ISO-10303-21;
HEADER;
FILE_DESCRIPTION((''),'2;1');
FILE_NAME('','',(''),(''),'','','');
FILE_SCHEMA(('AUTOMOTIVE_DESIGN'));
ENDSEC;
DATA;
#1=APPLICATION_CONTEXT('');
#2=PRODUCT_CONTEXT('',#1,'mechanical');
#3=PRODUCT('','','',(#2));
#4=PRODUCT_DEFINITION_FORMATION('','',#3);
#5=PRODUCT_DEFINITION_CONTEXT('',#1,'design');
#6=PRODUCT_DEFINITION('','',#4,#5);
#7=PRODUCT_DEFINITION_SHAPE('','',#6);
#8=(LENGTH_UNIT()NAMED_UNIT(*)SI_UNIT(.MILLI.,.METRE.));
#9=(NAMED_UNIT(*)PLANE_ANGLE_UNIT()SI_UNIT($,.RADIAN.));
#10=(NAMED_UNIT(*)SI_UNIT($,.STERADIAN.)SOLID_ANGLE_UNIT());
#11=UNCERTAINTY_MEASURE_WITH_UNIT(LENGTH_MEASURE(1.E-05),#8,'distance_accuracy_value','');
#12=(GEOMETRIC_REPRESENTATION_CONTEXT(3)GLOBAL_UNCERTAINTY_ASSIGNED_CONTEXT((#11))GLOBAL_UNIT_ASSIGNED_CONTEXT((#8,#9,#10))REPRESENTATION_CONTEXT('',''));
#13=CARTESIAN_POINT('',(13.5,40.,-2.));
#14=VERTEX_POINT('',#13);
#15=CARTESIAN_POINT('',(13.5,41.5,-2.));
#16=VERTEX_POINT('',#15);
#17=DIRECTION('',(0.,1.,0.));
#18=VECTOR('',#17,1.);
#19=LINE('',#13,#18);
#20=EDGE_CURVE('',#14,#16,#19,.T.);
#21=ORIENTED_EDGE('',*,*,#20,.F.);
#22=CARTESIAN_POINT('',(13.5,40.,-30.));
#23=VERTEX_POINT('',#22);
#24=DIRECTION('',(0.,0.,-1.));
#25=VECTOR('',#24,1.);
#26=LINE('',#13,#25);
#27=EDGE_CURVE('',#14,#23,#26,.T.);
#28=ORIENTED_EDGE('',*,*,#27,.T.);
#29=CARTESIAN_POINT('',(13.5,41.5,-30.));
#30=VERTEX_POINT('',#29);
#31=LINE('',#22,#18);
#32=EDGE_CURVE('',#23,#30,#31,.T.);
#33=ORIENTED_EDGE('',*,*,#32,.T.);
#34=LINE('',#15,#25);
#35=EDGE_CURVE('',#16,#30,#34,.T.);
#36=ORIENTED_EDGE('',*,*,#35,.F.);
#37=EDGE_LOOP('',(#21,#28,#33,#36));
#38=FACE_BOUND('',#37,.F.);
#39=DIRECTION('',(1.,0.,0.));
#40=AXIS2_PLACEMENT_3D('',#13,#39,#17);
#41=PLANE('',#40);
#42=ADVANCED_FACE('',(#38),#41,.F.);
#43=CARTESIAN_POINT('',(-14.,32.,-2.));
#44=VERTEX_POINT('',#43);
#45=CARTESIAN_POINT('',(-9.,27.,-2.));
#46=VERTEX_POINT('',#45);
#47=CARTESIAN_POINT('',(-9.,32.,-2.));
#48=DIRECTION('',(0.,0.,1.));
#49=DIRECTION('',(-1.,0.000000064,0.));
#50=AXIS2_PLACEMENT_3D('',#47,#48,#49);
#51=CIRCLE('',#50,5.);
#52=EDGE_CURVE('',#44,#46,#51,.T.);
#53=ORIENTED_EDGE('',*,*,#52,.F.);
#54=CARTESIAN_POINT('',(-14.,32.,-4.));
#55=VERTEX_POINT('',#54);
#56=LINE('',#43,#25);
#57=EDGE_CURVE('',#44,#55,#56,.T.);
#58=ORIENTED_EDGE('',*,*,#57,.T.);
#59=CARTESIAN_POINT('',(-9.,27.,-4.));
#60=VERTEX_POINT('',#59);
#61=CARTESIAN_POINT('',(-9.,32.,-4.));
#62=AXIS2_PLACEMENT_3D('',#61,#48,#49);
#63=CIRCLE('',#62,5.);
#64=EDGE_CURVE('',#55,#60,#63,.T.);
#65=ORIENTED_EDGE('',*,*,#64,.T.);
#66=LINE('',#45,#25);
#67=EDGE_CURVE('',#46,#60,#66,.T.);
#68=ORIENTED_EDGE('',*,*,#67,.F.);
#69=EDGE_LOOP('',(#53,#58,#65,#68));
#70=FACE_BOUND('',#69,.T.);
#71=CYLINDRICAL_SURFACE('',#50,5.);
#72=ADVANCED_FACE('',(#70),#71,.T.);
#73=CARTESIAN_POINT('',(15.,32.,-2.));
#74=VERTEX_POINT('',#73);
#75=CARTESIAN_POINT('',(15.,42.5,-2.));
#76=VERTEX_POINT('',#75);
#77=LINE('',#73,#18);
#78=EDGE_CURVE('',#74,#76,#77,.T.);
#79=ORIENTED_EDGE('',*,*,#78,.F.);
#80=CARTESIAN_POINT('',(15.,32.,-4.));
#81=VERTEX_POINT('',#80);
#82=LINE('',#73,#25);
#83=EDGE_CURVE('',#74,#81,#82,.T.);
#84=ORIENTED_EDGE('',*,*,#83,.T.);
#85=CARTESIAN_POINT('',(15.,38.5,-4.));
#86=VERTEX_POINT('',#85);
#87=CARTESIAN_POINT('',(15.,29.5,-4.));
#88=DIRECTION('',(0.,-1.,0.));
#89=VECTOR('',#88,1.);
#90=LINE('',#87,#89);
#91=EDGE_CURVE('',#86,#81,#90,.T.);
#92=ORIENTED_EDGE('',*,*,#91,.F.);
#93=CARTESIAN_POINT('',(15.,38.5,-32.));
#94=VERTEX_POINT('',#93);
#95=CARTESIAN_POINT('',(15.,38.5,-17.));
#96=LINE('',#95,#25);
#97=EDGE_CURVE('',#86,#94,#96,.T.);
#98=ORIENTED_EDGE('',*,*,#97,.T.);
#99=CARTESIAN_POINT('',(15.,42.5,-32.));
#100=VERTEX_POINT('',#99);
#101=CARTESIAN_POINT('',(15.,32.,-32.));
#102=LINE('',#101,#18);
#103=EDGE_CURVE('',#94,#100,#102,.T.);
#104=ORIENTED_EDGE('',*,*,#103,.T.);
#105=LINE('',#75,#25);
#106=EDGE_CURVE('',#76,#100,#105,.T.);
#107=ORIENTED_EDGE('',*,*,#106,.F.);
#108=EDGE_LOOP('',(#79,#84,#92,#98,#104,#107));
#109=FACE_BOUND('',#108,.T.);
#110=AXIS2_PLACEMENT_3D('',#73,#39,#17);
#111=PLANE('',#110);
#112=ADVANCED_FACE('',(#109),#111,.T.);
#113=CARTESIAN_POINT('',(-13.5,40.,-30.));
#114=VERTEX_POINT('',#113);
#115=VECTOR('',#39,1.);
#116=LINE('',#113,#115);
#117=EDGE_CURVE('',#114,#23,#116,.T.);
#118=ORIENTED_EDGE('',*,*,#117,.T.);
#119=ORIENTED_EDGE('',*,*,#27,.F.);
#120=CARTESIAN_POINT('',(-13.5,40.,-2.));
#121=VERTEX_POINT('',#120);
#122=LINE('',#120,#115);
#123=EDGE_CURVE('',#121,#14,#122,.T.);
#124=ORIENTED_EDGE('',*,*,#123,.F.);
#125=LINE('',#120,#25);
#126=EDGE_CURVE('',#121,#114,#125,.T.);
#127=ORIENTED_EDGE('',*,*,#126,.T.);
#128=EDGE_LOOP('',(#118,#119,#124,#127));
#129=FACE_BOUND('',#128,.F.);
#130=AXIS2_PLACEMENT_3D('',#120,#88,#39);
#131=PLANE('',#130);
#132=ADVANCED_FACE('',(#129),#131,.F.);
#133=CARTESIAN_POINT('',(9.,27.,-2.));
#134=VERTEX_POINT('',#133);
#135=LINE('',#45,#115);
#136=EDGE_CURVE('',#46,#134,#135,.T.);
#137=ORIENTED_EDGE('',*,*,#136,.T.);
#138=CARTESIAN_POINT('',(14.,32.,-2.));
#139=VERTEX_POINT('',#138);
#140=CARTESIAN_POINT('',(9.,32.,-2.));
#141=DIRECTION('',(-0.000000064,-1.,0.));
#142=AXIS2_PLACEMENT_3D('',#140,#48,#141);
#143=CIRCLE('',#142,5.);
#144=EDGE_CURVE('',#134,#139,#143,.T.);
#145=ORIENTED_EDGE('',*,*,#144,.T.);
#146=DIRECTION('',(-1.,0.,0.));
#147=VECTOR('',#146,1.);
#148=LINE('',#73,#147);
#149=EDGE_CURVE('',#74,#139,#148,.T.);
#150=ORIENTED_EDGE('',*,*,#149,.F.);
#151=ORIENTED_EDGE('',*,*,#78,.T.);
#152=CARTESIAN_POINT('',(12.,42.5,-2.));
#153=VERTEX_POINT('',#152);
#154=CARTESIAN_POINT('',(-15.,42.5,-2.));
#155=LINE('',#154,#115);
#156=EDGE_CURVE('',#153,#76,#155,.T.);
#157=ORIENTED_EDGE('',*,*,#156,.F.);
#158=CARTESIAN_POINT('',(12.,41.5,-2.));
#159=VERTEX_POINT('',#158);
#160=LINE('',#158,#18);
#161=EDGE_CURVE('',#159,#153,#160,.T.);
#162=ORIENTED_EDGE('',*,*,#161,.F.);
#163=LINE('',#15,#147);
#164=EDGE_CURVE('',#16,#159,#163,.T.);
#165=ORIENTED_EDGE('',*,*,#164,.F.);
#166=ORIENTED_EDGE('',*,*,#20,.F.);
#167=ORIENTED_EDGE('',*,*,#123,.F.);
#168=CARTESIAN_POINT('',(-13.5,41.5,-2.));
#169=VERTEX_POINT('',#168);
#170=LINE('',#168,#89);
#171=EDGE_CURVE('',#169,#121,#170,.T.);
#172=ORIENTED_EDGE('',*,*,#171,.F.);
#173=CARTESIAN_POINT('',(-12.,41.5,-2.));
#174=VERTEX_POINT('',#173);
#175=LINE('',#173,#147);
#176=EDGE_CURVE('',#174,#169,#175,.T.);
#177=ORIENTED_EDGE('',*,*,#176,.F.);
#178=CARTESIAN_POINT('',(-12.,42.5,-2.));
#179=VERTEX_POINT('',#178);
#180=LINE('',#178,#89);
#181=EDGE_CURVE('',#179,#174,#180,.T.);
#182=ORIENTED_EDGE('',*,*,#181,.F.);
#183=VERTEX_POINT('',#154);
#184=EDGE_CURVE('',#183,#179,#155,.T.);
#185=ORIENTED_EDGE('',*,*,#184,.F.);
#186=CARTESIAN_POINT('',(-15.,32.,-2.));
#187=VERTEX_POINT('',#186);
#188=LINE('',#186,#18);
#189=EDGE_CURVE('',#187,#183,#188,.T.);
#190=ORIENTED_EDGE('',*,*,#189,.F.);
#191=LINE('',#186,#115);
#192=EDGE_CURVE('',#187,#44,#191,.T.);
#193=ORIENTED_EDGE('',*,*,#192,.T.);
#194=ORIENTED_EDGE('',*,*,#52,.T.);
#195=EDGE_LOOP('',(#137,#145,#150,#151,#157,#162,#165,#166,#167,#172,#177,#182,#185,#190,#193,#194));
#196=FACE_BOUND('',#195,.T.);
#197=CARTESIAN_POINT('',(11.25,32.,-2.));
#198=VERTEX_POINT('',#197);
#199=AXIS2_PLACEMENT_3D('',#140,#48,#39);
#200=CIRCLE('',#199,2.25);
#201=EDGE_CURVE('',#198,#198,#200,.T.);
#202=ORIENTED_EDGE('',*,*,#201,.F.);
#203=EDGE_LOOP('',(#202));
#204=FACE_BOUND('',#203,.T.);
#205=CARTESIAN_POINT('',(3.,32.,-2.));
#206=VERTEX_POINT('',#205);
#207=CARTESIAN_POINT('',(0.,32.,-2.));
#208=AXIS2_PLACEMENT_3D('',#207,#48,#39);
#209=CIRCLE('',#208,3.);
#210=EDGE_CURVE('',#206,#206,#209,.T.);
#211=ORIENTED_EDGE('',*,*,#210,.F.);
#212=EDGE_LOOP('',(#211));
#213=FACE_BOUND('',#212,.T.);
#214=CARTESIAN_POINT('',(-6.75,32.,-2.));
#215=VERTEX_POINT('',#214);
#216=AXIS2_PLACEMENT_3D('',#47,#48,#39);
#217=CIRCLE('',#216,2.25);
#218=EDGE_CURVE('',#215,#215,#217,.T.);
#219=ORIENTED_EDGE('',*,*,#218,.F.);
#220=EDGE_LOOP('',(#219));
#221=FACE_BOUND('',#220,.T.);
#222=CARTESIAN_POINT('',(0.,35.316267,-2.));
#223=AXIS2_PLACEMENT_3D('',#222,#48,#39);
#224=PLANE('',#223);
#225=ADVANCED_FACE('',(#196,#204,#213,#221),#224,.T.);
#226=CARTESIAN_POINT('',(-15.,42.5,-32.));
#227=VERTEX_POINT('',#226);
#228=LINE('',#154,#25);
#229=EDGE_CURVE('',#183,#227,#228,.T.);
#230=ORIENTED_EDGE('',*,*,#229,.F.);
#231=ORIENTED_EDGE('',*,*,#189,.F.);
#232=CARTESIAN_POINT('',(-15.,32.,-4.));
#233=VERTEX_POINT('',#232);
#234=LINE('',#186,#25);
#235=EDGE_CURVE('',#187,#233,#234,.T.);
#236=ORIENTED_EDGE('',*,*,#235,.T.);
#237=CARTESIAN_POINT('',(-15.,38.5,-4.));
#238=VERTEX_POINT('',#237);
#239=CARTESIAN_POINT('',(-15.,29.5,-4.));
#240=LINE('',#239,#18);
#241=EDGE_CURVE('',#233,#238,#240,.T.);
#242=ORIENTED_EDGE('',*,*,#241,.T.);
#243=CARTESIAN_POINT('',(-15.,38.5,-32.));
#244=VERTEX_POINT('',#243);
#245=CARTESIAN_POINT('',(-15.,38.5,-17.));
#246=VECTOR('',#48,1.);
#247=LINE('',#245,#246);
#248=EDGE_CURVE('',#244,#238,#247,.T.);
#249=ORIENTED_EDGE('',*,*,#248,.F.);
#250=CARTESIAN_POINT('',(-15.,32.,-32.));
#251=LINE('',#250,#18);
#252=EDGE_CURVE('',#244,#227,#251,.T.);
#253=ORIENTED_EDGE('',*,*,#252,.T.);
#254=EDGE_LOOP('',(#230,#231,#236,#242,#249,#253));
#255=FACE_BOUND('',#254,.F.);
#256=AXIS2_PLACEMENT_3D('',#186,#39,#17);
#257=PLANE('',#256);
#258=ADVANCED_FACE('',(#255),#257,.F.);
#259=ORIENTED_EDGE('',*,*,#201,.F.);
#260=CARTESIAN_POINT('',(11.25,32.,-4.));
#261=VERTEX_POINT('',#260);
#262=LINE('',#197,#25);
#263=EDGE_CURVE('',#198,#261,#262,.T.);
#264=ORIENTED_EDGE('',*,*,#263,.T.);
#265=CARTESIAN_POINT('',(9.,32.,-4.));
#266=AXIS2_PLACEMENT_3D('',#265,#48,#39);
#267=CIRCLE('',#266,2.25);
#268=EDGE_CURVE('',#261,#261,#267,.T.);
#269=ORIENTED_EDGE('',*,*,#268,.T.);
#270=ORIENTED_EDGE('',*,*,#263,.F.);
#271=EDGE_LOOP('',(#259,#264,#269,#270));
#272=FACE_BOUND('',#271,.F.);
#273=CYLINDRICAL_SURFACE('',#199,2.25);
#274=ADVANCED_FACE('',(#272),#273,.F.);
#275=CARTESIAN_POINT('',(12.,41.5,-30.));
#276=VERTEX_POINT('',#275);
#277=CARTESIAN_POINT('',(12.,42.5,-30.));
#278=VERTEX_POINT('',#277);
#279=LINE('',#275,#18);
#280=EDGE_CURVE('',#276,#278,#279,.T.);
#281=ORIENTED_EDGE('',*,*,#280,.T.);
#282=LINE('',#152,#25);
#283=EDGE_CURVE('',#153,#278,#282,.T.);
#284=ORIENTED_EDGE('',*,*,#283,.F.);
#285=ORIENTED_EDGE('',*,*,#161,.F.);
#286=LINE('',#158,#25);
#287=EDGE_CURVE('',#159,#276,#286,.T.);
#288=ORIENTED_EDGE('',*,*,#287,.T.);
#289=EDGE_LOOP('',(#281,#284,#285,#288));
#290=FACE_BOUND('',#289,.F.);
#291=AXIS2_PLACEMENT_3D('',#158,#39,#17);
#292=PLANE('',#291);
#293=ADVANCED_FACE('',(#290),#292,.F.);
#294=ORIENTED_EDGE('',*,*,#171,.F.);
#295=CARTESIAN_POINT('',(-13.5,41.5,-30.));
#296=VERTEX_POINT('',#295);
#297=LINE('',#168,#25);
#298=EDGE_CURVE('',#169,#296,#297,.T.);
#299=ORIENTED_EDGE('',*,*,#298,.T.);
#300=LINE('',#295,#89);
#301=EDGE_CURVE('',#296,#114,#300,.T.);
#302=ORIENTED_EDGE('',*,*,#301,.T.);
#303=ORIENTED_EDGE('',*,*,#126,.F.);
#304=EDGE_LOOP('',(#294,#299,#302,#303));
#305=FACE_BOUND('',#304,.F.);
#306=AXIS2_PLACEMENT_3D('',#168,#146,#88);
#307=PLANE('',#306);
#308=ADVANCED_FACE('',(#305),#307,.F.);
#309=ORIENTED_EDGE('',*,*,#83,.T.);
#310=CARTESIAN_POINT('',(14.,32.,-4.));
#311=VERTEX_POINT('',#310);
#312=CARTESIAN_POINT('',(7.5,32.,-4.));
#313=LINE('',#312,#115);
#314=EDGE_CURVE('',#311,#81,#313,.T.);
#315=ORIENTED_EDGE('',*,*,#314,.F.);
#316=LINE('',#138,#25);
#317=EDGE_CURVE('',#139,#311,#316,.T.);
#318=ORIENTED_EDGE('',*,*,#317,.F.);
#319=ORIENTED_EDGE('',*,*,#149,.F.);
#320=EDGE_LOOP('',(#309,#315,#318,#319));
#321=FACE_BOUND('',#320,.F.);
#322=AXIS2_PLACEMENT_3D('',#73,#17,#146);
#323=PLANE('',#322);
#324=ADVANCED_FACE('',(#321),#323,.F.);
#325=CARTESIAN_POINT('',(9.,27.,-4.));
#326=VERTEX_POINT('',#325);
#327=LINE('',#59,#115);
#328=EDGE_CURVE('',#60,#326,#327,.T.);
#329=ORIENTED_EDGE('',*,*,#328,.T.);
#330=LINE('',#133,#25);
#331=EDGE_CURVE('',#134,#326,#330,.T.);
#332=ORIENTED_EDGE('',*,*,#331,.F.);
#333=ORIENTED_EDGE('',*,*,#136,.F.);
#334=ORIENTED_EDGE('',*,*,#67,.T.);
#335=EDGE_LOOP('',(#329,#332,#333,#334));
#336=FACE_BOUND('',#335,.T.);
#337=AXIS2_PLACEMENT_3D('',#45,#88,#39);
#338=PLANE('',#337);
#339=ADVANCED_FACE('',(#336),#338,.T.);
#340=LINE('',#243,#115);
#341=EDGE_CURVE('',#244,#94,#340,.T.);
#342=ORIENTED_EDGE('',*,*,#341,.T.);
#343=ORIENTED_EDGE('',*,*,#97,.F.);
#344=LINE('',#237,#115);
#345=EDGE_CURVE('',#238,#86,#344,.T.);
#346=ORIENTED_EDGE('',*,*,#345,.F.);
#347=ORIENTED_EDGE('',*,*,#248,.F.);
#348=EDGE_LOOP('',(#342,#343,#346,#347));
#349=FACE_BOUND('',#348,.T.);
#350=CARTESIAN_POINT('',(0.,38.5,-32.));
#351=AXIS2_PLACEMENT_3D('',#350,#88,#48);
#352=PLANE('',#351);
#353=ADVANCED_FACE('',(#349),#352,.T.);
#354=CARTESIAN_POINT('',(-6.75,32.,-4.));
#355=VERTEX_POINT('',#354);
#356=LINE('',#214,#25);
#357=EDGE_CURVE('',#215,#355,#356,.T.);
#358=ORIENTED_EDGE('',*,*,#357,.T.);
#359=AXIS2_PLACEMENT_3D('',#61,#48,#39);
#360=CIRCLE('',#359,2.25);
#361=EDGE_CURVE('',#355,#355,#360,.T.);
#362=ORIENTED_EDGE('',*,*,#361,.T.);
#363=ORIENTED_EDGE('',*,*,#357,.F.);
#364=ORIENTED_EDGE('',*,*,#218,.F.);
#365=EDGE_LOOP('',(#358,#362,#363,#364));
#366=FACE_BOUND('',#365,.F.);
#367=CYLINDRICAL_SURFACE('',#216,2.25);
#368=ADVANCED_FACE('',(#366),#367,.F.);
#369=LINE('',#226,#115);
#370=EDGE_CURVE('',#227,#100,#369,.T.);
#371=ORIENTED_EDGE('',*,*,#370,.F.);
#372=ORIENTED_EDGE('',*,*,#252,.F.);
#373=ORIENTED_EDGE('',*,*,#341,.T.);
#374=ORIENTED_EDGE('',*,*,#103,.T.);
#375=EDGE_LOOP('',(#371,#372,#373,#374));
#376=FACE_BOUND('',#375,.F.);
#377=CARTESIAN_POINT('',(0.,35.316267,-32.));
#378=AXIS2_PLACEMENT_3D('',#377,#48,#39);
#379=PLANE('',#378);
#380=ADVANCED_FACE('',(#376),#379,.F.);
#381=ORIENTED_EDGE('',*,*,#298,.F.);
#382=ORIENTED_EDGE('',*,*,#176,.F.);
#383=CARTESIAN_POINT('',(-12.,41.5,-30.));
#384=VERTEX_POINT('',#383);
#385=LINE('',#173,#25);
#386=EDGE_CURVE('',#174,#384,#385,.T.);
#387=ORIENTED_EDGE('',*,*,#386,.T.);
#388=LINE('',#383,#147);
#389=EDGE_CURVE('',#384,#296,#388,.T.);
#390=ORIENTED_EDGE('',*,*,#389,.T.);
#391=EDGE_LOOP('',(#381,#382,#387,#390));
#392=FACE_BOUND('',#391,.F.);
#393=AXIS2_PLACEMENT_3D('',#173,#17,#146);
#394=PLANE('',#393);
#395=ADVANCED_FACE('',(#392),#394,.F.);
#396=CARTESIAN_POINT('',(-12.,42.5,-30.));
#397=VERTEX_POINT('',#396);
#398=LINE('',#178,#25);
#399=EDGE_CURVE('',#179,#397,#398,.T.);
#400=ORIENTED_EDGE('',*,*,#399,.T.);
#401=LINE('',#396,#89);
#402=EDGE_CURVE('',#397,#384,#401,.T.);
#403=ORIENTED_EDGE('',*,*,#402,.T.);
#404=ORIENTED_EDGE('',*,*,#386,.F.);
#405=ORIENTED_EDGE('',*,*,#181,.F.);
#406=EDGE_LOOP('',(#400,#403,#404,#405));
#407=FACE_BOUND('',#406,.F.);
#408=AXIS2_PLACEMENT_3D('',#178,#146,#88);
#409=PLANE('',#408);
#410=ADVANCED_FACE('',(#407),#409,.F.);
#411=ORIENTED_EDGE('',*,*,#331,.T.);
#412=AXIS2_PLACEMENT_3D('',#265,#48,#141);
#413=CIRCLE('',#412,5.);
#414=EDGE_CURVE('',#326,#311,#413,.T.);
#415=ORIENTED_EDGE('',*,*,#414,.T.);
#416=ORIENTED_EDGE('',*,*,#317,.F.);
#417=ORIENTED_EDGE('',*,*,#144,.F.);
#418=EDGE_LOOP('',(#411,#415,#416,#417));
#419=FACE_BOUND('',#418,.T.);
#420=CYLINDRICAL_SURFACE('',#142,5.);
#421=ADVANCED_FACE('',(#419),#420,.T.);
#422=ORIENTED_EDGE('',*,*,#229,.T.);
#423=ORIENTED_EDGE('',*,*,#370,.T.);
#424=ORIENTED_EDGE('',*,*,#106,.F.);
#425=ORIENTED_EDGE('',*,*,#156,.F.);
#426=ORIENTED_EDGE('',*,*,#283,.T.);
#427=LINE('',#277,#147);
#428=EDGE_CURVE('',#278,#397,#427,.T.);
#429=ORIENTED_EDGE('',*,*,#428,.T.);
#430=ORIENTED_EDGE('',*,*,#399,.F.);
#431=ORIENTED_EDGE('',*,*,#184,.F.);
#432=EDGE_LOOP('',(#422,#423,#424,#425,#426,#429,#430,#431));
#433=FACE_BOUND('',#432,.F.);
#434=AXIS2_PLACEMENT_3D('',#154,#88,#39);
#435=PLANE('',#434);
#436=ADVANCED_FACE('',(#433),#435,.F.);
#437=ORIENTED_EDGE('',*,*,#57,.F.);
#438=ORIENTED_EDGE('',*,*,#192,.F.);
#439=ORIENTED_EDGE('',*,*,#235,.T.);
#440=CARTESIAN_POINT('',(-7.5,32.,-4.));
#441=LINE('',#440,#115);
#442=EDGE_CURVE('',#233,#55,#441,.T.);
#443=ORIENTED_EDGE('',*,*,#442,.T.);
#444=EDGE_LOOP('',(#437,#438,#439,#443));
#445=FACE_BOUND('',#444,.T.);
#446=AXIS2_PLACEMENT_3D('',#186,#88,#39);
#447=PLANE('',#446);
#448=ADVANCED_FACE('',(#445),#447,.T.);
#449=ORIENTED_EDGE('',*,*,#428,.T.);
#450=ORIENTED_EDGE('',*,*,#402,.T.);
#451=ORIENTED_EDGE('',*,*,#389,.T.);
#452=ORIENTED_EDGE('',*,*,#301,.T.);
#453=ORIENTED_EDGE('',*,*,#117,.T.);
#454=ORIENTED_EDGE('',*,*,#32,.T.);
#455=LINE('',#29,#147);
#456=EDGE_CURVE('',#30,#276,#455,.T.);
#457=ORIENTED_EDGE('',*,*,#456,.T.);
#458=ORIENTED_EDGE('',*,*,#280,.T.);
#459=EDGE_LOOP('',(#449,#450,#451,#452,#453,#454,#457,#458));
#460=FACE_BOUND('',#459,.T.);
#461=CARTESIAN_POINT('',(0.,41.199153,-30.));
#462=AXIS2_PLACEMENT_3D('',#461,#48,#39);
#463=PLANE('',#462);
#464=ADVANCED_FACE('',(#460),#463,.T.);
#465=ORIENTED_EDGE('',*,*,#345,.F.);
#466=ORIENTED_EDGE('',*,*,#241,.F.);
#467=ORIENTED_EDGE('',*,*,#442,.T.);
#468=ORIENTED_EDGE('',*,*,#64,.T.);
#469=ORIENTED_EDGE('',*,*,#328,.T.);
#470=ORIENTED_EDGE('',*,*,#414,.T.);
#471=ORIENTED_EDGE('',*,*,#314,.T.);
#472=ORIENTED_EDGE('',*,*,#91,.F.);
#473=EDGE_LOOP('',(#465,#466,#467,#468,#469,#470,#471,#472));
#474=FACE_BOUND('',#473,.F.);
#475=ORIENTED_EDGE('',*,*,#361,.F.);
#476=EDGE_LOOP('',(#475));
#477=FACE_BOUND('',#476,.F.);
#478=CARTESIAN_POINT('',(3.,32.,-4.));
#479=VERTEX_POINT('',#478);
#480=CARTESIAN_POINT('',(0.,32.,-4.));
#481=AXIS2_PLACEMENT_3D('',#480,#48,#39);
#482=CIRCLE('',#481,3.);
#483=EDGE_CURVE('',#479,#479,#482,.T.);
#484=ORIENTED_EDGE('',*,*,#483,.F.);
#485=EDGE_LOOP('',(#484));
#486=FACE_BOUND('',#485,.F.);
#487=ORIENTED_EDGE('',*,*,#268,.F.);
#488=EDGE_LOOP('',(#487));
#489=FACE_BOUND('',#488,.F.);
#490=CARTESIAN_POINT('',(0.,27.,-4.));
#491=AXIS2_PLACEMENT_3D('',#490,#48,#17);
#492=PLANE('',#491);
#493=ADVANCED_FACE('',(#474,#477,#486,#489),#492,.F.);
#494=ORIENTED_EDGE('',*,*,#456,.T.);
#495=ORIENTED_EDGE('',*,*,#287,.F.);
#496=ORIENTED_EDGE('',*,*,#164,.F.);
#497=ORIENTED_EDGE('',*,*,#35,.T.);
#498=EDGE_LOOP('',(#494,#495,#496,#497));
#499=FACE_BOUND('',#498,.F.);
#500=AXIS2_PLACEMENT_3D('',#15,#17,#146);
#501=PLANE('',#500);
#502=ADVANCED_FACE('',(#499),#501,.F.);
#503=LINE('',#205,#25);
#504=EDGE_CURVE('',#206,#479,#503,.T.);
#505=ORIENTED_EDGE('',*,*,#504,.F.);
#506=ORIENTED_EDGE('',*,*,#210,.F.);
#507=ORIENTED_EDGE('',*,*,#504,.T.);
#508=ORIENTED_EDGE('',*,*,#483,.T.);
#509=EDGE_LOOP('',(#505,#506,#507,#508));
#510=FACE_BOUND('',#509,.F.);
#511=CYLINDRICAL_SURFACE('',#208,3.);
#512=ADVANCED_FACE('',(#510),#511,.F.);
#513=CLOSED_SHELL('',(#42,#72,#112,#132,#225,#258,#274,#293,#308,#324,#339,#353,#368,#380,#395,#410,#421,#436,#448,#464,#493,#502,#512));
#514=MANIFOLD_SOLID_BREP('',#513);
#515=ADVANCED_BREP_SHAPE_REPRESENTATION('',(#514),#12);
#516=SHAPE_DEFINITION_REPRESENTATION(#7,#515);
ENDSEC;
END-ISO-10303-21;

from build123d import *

# Parameters (mm, degrees)
SKETCH136_R          = 2.25
SKETCH136_R_2        = 3
PAD082_DEPTH         = 30
POCKET029_DEPTH      = 28
SKETCH138_W          = 11.5
SKETCH138_H          = 28
POCKET030_DEPTH      = 15.001
POCKET030_DEPTH_BACK = 15.001


with BuildPart() as part:
    # Sketch136 → Pad082 (new body)
    with BuildSketch(Plane.XY):
        with BuildLine():
            Line((-9, -5), (9, -5))
            ThreePointArc((9, -5), (12.535534, -3.535534), (14, 0))
            Line((15, 0), (14, 0))
            Line((15, 0), (15, 10.5))
            Line((-15, 10.5), (15, 10.5))
            Line((-15, 0), (-15, 10.5))
            Line((-15, 0), (-14, 0))
            ThreePointArc((-14, 0), (-12.535534, -3.535534), (-9, -5))
        make_face()
        with Locations((-9, 0)):
            Circle(SKETCH136_R, mode=Mode.SUBTRACT)
        with Locations((9, 0)):
            Circle(SKETCH136_R, mode=Mode.SUBTRACT)
        Circle(SKETCH136_R_2, mode=Mode.SUBTRACT)
    extrude(amount=-PAD082_DEPTH)

    # Sketch137 → Pocket029 (cut)
    with BuildSketch(Plane.XY):
        Polygon((-12, 10.5), (-12, 9.5), (-13.5, 9.5), (-13.5, 8), (13.5, 8), (13.5, 9.5), (12, 9.5), (12, 10.5), align=None)
    extrude(amount=-POCKET029_DEPTH, mode=Mode.SUBTRACT)

    # Sketch138 → Pocket030 (cut, two sides)
    with BuildSketch(Plane.YZ) as pocket030_sk:
        with Locations((0.75, -16)):
            Rectangle(SKETCH138_W, SKETCH138_H)
    extrude(amount=-POCKET030_DEPTH, mode=Mode.SUBTRACT)
    extrude(pocket030_sk.sketch, amount=POCKET030_DEPTH_BACK, mode=Mode.SUBTRACT)


with BuildPart() as part_1:
    # Body119 placement: moved
    add(part.part.moved(Location((0, 32, -2))))


solid = part_1.part
